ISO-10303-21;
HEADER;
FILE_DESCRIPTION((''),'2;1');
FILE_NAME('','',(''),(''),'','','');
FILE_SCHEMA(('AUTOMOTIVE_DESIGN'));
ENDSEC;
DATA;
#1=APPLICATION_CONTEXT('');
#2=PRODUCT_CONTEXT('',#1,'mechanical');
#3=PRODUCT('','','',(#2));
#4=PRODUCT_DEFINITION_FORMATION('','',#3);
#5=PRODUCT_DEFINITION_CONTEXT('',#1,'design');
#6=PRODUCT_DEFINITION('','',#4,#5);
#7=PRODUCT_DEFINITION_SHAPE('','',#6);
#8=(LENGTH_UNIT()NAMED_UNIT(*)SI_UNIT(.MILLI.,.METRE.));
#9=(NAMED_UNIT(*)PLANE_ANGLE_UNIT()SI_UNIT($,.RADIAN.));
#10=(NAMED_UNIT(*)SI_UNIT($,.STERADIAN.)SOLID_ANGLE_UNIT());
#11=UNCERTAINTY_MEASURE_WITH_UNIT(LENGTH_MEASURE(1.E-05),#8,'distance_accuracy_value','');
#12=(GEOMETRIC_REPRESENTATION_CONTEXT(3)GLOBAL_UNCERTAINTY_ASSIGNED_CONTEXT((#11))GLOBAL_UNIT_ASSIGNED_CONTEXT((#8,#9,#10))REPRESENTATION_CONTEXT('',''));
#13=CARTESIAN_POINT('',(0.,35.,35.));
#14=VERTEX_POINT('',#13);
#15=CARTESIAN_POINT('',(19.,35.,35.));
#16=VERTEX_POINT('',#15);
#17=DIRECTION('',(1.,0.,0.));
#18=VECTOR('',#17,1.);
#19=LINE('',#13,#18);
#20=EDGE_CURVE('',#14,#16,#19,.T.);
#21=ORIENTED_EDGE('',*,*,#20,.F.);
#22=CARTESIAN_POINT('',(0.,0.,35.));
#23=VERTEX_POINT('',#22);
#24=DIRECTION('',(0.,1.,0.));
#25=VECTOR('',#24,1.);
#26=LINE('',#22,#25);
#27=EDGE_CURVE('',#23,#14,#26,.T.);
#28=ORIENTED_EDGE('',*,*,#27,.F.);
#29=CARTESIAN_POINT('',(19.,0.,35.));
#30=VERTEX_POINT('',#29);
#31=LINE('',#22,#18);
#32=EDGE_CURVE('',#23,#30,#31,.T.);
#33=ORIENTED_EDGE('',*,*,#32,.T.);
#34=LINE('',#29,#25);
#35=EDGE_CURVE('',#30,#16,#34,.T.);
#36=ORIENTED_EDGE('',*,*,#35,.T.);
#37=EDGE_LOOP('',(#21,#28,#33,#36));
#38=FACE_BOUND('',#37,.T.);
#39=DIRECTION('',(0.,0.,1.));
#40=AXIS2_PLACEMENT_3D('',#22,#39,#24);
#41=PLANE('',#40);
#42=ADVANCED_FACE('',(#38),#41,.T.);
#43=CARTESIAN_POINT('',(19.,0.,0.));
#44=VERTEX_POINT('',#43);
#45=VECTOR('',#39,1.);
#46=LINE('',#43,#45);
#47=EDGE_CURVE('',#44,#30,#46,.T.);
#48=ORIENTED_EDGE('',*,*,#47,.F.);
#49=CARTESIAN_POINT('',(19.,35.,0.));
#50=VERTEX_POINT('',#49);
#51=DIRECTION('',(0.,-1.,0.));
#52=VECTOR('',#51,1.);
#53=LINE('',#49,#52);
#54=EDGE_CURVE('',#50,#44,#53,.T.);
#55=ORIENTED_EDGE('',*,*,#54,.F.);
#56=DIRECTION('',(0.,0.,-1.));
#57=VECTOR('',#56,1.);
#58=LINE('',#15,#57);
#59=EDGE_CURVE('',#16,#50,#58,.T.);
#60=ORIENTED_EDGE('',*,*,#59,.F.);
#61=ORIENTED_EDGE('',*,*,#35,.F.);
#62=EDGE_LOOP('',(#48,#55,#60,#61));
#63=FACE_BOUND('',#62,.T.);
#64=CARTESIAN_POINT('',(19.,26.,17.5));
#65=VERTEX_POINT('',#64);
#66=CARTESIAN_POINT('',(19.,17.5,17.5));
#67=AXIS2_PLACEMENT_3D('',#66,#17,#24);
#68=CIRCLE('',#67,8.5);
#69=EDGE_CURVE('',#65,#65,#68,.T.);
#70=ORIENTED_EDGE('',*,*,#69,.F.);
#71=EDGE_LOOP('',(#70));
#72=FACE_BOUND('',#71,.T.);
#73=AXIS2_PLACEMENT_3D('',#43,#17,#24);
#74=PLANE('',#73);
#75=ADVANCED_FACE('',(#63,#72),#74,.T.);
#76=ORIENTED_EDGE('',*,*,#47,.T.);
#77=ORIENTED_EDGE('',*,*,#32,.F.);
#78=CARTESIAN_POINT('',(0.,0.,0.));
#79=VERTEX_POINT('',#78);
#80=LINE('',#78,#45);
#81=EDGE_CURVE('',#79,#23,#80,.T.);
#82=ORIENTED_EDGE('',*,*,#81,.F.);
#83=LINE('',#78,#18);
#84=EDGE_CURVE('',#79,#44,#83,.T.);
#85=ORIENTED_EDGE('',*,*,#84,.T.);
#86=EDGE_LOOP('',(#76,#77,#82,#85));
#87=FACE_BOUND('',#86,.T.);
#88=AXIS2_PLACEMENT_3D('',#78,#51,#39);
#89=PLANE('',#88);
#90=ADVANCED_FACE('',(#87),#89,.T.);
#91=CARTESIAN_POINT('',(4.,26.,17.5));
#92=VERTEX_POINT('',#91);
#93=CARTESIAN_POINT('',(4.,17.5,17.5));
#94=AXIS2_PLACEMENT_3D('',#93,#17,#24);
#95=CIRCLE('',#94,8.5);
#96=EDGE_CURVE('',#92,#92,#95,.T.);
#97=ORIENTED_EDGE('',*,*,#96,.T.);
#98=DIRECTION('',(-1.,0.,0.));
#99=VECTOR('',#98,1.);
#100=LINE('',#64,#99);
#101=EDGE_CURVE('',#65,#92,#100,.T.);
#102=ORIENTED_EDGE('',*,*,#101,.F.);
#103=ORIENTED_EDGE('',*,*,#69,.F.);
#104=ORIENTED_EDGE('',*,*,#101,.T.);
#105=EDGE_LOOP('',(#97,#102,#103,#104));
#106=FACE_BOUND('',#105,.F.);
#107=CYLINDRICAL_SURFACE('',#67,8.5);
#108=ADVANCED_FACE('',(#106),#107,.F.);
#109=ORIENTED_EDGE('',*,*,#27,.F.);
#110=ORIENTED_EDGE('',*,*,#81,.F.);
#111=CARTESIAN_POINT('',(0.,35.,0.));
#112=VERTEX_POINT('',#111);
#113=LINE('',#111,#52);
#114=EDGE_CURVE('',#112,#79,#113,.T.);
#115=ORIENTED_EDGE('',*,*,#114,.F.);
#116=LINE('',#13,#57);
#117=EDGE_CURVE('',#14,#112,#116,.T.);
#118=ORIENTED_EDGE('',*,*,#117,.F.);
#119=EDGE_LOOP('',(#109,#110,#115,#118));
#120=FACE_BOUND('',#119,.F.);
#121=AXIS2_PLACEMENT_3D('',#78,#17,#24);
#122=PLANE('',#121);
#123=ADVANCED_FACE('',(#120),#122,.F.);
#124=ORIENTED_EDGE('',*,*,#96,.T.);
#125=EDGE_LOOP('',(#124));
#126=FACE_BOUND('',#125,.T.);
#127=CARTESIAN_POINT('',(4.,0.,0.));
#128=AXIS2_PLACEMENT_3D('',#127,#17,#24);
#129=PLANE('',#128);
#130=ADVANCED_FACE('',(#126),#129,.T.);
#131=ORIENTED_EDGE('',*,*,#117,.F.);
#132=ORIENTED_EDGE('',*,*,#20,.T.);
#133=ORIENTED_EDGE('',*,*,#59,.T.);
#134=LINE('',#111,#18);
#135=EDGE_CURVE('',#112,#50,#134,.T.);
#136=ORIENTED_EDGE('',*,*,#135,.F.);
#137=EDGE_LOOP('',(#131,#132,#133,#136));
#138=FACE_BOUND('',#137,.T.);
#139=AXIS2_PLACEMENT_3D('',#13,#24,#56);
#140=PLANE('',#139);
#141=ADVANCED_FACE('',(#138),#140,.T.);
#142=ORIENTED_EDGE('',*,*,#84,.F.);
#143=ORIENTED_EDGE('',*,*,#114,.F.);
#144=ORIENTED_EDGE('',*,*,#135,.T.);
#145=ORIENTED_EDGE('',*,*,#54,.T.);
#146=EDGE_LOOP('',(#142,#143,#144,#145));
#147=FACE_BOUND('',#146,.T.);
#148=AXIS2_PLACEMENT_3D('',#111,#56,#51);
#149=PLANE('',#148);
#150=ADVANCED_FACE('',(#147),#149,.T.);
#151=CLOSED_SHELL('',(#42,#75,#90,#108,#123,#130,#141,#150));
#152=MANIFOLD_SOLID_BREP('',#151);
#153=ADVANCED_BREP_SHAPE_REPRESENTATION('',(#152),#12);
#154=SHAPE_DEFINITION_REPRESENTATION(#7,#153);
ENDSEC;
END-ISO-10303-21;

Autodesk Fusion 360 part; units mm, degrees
sketch "Boceto1" plane through (0, 0, 0) normal (1, 0, 0) x (0, 1, 0)
  line L0 (0, 0) -> (0, 35)
  line L1 (0, 35) -> (35, 35)
  line L2 (35, 35) -> (35, 0)
  line L3 (35, 0) -> (0, 0)
  dimension "d1" = 35
  dimension "d2" = 35
extrude "Extruir1" add sketch "Boceto1" along normal blind 19
sketch "Boceto2" plane through (19, 0, 0) normal (1, 0, 0) x (0, 1, 0)
  line L0 (35, 0) -> (35, 35)
  line L1 (35, 35) -> (0, 35)
  line L2 (0, 35) -> (0, 0)
  line L3 (0, 0) -> (35, 0)
  circle A0 centre (17.5, 17.5) radius 8.5
  dimension "d5" = 17
extrude "Extruir2" cut sketch "Boceto2" against normal blind 15 contours A0
